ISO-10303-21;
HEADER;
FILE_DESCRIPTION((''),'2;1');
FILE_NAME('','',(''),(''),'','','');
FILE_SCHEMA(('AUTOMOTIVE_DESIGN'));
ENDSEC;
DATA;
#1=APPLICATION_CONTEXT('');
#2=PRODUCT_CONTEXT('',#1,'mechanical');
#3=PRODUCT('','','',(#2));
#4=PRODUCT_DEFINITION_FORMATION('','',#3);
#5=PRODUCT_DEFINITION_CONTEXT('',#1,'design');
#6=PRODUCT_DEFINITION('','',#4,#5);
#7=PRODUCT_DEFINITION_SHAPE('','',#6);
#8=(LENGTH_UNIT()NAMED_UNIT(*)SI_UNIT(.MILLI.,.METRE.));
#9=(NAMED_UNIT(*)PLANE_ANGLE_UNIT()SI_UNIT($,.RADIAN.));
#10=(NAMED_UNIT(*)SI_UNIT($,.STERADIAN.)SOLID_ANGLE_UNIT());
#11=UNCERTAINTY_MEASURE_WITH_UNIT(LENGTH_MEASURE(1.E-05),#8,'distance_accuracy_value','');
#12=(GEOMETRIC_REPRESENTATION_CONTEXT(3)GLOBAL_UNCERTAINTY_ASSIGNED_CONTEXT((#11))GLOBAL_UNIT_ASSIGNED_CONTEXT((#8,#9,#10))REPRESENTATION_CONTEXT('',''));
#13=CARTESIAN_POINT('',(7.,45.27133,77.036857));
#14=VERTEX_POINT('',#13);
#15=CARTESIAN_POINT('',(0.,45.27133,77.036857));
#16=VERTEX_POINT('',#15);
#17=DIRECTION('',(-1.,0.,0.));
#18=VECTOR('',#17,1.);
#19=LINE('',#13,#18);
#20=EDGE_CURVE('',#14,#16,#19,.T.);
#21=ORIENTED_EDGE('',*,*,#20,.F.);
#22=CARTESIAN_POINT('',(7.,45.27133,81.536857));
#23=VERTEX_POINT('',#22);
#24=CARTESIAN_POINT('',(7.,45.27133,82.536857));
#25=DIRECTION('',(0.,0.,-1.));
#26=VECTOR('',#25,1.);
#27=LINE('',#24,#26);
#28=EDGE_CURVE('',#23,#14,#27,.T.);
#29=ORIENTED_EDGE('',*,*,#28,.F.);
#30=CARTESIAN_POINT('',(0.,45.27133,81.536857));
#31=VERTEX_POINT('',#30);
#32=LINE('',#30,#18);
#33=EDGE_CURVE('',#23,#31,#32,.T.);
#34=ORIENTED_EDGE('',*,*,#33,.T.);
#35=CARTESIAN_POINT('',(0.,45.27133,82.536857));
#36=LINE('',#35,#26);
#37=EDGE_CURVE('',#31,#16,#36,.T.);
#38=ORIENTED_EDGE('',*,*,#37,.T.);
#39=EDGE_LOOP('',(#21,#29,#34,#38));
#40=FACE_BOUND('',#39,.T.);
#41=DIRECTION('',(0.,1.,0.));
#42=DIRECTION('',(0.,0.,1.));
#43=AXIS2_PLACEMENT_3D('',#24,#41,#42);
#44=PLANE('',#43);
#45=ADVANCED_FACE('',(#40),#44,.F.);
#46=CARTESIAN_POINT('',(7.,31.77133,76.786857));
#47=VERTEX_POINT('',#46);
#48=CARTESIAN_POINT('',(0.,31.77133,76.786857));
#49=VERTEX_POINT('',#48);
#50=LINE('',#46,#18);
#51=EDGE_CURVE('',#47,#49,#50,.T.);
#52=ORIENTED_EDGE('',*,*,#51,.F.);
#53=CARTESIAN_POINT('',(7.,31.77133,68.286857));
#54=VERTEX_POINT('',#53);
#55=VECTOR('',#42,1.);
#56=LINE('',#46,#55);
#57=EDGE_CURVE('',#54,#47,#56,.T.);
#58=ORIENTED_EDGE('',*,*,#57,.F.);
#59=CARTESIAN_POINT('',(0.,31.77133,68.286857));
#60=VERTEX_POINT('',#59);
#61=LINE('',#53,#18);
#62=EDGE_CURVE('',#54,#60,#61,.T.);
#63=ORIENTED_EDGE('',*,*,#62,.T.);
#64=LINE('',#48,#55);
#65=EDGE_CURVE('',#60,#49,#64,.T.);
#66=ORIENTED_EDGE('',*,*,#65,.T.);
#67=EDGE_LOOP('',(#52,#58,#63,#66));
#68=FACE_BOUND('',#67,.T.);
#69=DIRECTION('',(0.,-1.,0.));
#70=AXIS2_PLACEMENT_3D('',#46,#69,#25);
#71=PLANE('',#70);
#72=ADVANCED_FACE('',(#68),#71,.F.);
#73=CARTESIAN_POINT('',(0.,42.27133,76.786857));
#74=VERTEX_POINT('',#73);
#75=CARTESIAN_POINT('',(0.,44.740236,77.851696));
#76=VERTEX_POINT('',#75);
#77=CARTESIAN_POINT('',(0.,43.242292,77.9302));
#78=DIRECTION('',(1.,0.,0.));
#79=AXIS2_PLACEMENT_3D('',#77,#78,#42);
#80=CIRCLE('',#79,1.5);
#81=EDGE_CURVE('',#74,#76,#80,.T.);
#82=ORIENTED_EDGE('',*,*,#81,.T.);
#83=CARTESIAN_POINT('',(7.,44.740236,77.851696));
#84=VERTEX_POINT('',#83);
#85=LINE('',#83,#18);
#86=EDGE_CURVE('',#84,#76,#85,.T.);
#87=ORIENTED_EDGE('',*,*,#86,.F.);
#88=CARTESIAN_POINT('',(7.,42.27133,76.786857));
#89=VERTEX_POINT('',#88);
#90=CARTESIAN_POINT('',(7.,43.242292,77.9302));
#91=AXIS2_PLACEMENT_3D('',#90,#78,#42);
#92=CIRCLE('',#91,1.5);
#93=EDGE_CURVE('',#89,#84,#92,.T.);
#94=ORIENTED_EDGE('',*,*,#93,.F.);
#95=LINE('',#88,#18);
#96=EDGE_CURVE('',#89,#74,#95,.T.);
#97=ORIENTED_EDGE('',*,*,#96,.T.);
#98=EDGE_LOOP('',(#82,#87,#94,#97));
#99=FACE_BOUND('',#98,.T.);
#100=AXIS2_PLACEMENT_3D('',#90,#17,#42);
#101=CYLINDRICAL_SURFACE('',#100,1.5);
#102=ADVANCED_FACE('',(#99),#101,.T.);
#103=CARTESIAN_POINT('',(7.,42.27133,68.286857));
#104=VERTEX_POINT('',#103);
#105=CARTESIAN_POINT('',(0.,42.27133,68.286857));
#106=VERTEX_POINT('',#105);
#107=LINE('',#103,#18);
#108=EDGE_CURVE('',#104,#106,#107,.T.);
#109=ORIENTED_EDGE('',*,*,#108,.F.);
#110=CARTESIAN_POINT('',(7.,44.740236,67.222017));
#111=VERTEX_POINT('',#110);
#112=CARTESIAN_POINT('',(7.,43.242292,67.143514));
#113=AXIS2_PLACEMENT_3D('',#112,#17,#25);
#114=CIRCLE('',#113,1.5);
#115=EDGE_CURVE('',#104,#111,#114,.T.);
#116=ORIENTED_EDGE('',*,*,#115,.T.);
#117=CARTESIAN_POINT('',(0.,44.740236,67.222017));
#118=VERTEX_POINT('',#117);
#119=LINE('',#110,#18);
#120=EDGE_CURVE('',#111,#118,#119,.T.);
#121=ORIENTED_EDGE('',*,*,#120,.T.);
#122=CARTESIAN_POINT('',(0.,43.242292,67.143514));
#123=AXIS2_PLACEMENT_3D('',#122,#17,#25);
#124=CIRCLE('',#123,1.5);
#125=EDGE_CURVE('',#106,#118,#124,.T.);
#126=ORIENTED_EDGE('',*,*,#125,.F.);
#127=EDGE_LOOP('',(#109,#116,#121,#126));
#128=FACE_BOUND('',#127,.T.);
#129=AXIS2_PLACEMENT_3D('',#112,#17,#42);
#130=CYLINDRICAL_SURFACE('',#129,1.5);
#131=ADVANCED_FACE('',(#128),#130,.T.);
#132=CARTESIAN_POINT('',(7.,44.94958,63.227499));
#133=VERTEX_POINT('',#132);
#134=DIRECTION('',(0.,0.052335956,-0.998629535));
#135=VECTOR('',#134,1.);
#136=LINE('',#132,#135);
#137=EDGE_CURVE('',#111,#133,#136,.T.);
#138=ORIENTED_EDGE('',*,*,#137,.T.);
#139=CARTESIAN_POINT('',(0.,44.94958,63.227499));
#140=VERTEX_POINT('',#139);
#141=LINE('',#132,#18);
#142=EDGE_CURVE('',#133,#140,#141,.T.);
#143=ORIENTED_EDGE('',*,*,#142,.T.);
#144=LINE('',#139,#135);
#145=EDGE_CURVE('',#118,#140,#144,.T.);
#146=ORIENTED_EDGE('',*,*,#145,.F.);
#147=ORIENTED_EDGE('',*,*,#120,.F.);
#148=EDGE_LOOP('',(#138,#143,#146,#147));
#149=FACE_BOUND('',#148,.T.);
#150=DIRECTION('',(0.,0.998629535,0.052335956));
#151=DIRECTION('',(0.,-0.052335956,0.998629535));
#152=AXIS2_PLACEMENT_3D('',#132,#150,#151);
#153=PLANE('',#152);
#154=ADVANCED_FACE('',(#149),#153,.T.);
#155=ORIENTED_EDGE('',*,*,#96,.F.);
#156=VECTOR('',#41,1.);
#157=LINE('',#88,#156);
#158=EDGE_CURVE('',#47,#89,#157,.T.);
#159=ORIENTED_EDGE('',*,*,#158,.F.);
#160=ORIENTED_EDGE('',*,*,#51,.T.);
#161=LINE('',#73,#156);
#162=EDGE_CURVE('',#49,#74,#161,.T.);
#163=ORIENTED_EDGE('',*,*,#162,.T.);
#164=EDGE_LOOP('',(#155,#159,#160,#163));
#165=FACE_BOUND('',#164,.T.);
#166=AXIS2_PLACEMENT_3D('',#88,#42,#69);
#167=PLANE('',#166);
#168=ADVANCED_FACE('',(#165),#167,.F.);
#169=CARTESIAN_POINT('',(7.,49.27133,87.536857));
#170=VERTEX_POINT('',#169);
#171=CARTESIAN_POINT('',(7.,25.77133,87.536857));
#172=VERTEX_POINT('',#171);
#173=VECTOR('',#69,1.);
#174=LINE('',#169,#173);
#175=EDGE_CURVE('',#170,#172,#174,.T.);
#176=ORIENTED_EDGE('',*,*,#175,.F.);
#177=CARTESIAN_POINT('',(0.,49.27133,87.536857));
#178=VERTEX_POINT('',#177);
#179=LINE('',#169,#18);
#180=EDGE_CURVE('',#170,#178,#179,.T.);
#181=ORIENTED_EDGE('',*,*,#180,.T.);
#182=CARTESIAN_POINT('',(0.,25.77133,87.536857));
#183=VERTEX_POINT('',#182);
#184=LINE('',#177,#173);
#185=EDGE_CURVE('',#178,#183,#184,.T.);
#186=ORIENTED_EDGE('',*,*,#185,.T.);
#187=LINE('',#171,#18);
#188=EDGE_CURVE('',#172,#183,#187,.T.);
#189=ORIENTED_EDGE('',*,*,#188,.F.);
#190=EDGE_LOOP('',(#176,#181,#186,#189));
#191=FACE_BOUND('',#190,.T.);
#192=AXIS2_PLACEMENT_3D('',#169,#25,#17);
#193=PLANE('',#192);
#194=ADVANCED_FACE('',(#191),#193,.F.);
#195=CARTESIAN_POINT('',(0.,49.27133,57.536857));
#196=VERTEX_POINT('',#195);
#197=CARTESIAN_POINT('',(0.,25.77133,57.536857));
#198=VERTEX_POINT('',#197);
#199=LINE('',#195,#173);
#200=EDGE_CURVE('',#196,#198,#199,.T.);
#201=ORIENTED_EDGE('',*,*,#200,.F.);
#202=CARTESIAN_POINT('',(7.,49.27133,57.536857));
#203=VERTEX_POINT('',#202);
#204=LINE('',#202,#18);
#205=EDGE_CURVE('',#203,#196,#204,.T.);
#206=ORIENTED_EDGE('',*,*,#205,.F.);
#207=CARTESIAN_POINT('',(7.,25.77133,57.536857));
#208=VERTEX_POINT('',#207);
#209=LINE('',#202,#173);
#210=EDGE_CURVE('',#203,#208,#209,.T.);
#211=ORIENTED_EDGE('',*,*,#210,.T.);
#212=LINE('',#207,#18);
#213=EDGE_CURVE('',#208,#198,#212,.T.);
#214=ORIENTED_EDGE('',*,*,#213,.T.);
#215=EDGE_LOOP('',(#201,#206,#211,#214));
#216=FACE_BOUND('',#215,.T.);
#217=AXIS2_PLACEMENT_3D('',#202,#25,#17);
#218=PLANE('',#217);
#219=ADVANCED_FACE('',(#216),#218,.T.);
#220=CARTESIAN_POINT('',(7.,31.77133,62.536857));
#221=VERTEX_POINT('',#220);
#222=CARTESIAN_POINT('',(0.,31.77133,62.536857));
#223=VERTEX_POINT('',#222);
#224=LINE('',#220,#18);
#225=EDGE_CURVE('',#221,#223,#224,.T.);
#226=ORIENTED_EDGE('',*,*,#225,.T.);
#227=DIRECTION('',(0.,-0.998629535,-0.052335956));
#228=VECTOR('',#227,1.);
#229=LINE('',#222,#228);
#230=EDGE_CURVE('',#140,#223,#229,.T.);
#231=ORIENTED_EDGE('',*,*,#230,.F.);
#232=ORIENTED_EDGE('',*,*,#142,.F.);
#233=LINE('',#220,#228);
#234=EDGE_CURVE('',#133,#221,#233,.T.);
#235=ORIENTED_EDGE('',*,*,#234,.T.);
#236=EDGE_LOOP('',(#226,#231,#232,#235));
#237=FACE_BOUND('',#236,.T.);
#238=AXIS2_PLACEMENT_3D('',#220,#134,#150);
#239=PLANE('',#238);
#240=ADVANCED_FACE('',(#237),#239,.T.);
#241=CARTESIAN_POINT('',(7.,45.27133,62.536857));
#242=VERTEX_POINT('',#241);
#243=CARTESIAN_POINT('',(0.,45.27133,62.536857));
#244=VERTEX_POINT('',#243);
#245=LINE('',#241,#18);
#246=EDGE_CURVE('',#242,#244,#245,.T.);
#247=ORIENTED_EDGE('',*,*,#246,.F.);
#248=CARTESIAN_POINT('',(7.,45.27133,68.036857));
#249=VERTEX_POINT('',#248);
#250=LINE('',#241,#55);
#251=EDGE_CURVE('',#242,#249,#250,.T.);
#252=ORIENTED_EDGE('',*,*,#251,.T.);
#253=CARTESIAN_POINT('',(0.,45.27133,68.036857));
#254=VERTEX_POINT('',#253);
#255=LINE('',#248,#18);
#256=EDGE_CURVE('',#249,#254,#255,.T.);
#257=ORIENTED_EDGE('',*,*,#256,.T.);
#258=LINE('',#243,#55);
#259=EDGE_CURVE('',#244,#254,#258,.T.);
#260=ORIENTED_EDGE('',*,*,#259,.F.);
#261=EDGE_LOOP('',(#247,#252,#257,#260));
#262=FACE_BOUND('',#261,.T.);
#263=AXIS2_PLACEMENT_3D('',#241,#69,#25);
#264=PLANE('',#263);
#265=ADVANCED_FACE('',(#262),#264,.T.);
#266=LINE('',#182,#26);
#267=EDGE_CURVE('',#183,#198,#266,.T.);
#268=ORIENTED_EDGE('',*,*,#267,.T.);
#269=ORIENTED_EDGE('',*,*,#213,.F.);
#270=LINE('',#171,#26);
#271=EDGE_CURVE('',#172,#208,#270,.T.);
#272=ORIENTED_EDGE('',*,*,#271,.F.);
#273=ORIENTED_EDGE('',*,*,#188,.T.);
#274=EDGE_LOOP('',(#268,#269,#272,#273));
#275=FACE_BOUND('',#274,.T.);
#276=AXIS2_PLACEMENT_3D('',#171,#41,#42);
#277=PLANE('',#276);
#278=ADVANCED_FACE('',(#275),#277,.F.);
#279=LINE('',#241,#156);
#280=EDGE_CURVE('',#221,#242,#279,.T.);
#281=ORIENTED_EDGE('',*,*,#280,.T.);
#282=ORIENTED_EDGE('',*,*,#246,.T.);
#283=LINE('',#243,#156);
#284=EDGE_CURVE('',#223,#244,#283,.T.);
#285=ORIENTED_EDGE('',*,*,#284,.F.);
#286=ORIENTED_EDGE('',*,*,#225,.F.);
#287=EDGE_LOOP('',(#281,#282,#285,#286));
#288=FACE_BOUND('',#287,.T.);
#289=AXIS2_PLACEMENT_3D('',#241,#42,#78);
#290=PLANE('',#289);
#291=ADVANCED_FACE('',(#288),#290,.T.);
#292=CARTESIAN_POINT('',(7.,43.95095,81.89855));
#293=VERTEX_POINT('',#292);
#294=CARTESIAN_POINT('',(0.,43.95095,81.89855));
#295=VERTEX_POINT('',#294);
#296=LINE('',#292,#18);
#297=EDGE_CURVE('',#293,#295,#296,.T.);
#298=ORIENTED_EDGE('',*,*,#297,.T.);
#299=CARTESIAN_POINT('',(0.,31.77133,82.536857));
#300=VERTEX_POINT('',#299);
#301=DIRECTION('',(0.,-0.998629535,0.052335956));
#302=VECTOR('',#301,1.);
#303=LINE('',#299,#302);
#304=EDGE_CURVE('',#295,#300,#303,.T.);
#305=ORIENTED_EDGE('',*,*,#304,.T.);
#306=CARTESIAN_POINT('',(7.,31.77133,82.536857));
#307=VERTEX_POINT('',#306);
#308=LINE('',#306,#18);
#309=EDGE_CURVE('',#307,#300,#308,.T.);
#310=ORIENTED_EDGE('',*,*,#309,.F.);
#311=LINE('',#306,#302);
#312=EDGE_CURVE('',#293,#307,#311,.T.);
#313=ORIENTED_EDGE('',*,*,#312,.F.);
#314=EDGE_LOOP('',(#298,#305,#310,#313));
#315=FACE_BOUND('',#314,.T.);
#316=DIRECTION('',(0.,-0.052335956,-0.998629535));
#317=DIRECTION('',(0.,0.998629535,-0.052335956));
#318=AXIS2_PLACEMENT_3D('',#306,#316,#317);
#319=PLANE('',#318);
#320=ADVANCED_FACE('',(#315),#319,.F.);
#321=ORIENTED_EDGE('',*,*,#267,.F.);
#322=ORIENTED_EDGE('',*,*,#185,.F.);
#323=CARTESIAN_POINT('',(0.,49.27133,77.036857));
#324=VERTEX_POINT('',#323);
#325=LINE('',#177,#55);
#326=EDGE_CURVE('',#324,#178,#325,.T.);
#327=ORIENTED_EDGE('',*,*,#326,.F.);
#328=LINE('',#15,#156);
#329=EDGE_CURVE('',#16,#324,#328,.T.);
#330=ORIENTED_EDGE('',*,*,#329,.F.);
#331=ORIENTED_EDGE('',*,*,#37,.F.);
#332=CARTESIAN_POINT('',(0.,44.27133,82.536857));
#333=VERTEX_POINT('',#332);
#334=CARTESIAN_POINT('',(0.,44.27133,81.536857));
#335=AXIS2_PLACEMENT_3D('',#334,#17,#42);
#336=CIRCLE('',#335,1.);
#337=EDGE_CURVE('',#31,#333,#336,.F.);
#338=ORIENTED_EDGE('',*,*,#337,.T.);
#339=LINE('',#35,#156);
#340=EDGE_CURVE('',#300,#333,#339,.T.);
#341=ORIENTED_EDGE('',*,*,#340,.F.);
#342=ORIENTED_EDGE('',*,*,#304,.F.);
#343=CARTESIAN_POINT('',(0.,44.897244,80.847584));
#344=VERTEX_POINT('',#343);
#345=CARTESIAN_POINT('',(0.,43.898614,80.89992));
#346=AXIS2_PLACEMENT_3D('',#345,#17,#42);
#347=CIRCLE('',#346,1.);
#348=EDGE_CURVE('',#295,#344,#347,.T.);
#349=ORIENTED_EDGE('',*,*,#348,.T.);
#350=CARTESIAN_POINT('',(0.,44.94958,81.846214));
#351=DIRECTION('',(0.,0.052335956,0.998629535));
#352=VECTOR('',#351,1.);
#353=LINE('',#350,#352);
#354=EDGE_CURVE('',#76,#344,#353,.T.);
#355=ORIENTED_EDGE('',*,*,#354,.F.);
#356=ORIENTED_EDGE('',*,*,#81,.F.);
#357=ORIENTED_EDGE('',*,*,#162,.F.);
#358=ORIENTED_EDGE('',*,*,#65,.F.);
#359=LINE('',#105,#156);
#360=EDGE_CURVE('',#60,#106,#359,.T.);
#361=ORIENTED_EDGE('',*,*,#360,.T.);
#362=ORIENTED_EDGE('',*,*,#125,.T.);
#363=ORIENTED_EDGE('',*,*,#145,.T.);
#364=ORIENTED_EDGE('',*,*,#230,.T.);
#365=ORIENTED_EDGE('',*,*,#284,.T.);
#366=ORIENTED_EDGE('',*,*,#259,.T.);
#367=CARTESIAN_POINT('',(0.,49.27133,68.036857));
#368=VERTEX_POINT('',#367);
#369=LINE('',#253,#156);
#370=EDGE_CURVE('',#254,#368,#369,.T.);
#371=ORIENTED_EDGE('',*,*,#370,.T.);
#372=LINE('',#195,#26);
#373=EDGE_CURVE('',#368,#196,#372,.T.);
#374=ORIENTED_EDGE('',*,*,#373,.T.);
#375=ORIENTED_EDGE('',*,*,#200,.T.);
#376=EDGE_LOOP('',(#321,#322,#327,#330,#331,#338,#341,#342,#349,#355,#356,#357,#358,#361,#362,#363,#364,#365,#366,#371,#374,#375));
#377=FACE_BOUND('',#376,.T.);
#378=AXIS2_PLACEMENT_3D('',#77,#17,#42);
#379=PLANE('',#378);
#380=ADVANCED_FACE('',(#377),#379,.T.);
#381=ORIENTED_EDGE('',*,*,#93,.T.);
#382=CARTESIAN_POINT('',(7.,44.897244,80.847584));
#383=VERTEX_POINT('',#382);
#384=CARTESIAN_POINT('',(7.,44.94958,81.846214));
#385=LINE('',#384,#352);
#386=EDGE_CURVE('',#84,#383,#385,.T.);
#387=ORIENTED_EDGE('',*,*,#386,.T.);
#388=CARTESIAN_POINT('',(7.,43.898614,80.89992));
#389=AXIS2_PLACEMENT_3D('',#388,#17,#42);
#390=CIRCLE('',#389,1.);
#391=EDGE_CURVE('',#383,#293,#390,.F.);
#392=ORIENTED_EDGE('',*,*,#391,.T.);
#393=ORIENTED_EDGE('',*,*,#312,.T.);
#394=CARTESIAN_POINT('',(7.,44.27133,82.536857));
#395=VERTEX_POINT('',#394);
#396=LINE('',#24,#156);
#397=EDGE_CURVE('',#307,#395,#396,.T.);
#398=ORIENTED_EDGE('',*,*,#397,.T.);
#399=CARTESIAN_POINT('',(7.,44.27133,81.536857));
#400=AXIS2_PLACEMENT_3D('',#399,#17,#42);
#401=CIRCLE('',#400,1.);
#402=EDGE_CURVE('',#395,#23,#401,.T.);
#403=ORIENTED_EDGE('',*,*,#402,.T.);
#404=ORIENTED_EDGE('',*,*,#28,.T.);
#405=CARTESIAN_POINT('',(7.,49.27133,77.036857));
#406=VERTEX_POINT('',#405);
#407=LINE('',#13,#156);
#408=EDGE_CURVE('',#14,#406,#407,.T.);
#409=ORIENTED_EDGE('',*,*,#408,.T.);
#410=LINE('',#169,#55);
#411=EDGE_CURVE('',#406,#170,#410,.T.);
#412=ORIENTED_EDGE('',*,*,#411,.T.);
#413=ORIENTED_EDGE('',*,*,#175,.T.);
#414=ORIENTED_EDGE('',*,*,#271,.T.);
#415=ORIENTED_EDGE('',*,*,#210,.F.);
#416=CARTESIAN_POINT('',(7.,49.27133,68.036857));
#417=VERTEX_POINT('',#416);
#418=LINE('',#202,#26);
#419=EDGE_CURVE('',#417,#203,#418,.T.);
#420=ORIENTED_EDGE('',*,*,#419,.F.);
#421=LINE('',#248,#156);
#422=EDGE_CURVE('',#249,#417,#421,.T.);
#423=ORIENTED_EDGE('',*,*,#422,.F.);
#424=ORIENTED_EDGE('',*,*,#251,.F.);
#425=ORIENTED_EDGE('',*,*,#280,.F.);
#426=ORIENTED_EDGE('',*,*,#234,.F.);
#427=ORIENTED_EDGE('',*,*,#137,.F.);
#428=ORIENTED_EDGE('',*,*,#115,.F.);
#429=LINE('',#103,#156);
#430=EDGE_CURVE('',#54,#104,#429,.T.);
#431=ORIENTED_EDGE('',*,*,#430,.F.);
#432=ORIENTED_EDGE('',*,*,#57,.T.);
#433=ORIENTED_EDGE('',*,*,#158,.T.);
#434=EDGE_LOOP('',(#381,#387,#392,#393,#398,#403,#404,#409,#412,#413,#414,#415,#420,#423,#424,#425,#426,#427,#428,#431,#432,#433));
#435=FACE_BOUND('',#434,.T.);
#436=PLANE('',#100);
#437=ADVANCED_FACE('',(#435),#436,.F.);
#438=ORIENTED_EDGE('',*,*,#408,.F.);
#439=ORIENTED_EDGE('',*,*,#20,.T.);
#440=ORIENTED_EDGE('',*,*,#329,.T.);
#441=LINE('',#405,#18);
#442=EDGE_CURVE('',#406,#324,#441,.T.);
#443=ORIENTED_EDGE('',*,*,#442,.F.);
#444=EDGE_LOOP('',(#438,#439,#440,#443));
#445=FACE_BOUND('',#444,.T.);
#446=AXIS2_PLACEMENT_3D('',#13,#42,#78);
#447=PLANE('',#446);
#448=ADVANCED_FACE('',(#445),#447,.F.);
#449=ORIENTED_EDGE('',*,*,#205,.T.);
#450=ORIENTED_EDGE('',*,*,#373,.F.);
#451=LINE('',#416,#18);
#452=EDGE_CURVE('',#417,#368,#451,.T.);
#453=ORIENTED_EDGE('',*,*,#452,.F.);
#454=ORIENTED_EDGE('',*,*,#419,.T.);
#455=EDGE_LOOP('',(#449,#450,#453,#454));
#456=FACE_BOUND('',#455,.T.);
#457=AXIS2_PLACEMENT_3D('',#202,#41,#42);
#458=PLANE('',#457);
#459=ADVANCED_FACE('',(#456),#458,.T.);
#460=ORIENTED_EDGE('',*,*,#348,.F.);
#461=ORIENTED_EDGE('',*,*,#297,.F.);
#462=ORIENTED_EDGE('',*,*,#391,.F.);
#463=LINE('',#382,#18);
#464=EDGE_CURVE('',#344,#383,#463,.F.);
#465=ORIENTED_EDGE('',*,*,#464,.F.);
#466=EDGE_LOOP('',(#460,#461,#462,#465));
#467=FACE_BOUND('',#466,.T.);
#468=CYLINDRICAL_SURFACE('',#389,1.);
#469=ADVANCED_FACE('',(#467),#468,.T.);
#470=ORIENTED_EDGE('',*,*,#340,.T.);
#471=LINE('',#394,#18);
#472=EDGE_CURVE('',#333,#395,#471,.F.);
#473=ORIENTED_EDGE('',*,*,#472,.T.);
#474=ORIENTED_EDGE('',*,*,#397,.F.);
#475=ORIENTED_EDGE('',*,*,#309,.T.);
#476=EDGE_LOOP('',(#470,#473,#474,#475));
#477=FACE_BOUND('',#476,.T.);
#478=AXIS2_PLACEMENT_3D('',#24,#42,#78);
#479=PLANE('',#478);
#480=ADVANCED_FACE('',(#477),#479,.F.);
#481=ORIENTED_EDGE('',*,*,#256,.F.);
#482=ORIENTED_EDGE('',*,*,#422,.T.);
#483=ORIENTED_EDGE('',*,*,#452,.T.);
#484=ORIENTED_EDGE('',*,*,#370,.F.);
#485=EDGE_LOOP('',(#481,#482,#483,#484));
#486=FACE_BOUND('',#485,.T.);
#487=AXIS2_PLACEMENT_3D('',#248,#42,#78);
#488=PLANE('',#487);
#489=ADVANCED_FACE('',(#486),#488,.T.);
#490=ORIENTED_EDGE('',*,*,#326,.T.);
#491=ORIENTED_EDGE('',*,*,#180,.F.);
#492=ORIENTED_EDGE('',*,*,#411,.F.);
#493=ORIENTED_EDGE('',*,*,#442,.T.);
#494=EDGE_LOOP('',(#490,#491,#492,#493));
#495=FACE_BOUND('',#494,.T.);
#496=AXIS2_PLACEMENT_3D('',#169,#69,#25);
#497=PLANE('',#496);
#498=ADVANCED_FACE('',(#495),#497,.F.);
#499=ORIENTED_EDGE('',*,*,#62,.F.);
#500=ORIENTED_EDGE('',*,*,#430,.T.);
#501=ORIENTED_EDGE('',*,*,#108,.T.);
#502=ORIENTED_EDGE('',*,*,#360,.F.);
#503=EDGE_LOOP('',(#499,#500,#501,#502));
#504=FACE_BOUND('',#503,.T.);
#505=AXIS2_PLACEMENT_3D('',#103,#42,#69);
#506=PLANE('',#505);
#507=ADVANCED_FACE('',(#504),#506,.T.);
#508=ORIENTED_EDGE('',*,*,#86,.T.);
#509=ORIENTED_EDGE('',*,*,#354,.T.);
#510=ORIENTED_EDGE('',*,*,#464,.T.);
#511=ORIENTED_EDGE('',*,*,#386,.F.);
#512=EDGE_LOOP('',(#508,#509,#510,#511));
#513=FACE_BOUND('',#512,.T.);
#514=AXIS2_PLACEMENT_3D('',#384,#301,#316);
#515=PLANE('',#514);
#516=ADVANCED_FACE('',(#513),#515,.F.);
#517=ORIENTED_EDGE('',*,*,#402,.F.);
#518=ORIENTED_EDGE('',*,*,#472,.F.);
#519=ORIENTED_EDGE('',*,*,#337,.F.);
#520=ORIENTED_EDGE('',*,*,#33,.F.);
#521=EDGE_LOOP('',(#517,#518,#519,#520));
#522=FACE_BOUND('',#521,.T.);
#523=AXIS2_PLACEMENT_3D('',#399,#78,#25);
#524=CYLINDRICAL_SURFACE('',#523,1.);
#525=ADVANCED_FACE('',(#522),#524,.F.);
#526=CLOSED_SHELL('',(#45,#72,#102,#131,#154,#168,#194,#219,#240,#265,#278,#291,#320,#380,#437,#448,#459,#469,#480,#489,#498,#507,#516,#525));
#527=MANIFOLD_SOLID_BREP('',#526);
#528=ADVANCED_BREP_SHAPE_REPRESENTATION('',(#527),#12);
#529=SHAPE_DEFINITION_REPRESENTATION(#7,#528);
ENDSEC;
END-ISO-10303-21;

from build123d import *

# Parameters (mm, degrees)
BOSS_EXTRUDE2_DEPTH = 7
FILLET1_R           = 1
FILLET2_R           = 1


with BuildPart() as part:
    # Sketch4 → Boss-Extrude2 (new body)
    with BuildSketch(Plane(origin=(0, 0, 0), x_dir=(0, 0, -1), z_dir=(1, 0, 0))):
        with BuildLine():
            Line((-82.536856532, 31.771329741), (-81.846213718, 44.949579673))
            Line((-81.846213718, 44.949579673), (-77.851695579, 44.740235848))
            ThreePointArc((-77.851695579, 44.740235848), (-76.552846322, 43.836343889), (-76.786856532, 42.271329741))
            Line((-76.786856532, 42.271329741), (-76.786856532, 31.771329741))
            Line((-76.786856532, 31.771329741), (-72.536856532, 31.771329741))
            Line((-72.536856532, 31.771329741), (-72.536856532, 25.771329741))
            Line((-72.536856532, 25.771329741), (-87.536856532, 25.771329741))
            Line((-87.536856532, 25.771329741), (-87.536856532, 49.271329741))
            Line((-87.536856532, 49.271329741), (-77.036856532, 49.271329741))
            Line((-77.036856532, 49.271329741), (-77.036856532, 45.271329741))
            Line((-77.036856532, 45.271329741), (-82.536856532, 45.271329741))
            Line((-82.536856532, 45.271329741), (-82.536856532, 31.771329741))
        make_face()
    boss_extrude2 = extrude(amount=BOSS_EXTRUDE2_DEPTH)

    # Fillet1
    fillet1_edges = [part.edges().sort_by_distance(p)[0] for p in [
        (3.5, 44.949579673, 81.846213718),
    ]]
    fillet(fillet1_edges, radius=FILLET1_R)

    # Fillet2
    fillet2_edges = [part.edges().sort_by_distance(p)[0] for p in [
        (3.5, 45.271329741, 82.536856532),
    ]]
    fillet(fillet2_edges, radius=FILLET2_R)

    # Mirror2: Boss-Extrude2 across plane
    add(boss_extrude2.mirror(Plane(origin=(7, 31.771329741, 72.536856532), x_dir=(1, 0, 0), z_dir=(0, 0, 1))))


solid = part.part
